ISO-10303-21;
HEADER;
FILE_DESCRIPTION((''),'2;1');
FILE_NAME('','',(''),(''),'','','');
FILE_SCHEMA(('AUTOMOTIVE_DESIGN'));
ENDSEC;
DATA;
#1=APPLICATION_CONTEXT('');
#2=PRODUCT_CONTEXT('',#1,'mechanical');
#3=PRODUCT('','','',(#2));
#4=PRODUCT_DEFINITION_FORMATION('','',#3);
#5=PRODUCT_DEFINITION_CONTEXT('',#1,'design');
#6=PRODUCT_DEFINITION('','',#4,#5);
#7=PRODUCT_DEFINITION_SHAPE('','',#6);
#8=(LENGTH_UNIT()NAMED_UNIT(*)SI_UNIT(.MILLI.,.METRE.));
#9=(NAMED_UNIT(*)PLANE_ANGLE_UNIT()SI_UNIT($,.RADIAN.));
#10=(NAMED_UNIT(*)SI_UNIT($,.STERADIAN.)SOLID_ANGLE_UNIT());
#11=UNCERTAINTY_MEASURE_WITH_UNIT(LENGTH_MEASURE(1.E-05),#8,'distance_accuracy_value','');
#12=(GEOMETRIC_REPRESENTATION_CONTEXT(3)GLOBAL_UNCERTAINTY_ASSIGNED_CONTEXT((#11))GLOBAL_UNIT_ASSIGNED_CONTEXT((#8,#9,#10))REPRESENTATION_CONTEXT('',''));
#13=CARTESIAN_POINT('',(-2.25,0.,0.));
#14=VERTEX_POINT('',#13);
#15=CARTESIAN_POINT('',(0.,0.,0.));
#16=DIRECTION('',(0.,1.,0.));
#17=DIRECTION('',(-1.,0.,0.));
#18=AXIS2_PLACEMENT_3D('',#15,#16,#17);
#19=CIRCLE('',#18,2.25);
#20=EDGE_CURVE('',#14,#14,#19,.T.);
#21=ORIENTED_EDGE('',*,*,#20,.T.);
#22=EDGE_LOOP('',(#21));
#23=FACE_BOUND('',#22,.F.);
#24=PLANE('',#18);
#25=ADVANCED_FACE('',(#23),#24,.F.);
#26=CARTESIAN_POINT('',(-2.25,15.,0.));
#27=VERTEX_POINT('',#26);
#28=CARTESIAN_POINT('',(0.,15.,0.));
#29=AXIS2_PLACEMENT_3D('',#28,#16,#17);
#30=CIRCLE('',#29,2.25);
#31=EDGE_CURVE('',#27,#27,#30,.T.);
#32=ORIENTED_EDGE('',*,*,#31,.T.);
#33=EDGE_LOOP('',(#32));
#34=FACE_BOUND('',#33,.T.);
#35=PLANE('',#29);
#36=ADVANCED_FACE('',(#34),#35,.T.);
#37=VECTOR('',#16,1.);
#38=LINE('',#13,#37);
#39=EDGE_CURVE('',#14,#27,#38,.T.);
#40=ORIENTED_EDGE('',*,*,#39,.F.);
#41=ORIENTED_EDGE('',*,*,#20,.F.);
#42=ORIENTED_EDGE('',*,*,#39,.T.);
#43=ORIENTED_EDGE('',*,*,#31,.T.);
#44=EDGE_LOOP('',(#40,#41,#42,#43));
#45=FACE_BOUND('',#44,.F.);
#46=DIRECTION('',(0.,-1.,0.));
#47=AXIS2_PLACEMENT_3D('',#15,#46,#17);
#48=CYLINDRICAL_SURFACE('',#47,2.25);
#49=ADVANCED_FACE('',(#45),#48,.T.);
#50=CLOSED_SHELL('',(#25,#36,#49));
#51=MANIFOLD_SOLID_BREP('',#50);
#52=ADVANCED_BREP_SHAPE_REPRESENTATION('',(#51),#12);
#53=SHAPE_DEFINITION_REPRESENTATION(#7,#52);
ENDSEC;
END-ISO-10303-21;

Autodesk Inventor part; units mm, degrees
ref_plane "YZ Plane" through (0, 0, 0) normal (1, 0, 0) x (0, 1, 0)
ref_plane "XZ Plane" through (0, 0, 0) normal (0, 1, 0) x (-1, 0, 0)
ref_plane "XY Plane" through (0, 0, 0) normal (0, 0, 1) x (1, 0, 0)
sketch "スケッチ1" plane through (0, 0, 0) normal (0, 1, 0) x (-1, 0, 0)
  circle A0 centre (0, 0) radius 2.25
  dimension "d0" = 4.5
extrude "押し出し1" add sketch "スケッチ1" along normal blind 15
sketch "スケッチ2" plane through (0, 15, 0) normal (0, 1, 0) x (1, 0, 0)
  point P0 (0, 0)
properties part number "tale inner"
